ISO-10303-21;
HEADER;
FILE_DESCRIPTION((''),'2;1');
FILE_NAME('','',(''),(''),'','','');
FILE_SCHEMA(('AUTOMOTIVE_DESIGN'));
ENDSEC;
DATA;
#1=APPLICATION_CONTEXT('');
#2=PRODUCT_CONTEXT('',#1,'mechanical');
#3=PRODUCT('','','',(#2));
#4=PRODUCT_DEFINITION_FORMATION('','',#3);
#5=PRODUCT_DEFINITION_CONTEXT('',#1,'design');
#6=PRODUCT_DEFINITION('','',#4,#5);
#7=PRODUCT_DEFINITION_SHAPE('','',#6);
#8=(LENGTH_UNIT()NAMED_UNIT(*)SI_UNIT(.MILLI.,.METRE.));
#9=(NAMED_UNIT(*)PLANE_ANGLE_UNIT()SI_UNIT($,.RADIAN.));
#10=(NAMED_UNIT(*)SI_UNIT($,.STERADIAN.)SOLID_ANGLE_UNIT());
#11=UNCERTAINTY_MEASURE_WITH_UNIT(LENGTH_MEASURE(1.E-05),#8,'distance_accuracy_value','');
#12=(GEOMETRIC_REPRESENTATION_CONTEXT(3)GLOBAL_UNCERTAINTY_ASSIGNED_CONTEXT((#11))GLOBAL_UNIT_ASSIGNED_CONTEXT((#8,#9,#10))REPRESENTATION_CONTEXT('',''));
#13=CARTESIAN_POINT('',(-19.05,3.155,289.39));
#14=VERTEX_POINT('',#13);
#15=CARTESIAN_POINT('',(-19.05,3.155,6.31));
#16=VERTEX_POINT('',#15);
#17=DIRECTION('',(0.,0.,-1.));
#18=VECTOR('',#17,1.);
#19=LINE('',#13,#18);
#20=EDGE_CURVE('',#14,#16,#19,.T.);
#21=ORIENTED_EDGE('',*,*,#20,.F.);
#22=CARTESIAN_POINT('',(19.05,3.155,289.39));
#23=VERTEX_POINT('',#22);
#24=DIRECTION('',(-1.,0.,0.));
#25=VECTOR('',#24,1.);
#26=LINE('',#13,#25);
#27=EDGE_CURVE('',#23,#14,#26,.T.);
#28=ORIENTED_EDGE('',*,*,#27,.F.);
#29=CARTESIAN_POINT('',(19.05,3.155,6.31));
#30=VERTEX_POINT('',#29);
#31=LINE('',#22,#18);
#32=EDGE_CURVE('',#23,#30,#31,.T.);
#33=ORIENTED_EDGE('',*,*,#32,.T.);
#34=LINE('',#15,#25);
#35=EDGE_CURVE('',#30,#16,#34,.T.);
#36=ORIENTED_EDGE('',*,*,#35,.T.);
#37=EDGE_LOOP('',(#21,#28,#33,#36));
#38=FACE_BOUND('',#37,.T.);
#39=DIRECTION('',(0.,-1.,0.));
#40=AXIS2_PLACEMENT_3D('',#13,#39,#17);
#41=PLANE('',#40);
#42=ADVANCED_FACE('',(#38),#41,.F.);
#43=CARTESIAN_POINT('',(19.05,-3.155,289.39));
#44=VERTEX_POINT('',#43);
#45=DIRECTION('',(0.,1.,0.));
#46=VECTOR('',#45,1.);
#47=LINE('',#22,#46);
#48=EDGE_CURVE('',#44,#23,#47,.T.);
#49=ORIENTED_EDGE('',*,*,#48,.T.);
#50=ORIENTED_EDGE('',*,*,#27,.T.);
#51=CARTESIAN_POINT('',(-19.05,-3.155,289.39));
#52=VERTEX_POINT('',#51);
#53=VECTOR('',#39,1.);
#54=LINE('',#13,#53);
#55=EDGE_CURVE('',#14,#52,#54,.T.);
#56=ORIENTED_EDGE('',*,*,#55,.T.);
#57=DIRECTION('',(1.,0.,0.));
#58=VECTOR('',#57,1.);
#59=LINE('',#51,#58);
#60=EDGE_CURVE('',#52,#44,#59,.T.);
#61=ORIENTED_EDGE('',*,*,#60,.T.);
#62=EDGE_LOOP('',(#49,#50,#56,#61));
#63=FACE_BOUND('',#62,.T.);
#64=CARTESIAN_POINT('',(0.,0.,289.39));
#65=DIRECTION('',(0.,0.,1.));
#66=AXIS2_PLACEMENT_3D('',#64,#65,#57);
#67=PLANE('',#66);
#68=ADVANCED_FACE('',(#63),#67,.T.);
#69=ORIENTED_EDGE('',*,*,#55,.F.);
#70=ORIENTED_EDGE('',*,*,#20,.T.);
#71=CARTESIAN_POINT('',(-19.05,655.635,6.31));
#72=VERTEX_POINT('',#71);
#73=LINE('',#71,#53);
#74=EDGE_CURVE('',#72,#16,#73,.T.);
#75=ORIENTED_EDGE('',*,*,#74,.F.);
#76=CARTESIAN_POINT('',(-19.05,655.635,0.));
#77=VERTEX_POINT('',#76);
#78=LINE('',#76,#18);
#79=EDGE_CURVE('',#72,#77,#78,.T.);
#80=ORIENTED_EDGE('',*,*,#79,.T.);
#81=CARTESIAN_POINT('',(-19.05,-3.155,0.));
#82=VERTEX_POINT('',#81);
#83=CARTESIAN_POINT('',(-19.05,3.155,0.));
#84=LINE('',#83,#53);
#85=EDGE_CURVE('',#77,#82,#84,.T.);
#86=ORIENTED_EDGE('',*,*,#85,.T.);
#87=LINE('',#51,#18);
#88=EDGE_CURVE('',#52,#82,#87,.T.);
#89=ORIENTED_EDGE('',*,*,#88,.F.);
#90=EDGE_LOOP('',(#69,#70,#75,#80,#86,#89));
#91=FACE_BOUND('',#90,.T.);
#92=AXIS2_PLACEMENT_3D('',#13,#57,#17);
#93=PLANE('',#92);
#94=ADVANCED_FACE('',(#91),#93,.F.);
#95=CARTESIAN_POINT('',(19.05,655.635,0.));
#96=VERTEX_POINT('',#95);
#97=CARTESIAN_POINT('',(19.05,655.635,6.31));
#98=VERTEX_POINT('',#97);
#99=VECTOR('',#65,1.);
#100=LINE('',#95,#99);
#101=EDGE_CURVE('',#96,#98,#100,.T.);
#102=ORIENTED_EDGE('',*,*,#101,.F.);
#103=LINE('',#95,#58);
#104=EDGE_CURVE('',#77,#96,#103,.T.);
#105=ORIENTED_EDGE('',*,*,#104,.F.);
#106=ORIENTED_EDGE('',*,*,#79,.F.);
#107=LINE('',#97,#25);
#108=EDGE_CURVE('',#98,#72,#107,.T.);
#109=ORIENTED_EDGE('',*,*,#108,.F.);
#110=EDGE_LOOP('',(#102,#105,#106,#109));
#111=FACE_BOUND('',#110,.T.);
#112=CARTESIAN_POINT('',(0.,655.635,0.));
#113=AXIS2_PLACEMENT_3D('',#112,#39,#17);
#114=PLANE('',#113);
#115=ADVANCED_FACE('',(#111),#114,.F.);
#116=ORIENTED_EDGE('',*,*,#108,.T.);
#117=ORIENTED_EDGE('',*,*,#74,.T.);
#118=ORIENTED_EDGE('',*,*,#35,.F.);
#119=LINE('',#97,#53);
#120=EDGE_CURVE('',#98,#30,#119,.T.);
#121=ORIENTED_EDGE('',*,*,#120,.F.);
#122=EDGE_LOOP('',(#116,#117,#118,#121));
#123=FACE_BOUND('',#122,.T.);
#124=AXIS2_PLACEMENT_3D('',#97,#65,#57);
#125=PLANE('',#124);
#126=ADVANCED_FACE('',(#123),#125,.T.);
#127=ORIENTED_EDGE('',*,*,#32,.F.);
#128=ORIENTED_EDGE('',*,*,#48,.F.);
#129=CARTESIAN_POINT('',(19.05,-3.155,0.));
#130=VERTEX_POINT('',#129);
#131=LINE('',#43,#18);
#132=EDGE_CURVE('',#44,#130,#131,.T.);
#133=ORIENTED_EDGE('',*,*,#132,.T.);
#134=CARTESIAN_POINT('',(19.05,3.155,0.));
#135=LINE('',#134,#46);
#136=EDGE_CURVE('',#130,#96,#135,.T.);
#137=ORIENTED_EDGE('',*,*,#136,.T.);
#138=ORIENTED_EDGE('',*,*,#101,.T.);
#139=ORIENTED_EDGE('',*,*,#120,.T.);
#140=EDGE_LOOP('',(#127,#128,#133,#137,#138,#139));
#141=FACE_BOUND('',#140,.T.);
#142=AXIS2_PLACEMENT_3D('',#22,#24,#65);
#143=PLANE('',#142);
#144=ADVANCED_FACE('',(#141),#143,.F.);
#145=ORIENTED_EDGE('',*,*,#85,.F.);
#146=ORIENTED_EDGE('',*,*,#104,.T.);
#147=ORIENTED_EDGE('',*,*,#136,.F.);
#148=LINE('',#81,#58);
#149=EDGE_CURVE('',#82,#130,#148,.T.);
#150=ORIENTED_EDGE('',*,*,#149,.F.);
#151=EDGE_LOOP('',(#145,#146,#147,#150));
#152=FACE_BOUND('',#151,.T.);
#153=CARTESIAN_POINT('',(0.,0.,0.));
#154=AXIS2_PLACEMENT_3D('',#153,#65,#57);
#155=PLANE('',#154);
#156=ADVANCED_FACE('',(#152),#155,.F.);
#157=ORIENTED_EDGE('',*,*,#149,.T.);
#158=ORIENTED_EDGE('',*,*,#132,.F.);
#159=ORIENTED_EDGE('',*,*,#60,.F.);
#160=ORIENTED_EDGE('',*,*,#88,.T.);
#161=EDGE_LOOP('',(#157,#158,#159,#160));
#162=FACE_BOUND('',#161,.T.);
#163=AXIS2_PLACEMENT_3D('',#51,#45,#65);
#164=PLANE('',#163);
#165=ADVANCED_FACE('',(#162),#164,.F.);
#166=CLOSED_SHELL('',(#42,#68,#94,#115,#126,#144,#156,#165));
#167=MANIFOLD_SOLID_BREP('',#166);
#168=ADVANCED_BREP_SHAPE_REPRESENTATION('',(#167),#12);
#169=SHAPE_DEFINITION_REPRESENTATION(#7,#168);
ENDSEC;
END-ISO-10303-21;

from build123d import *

# Parameters (mm, degrees)
CROQUIS1_W              = 38.1
CROQUIS1_H              = 6.31
SALIENTE_EXTRUIR1_DEPTH = 289.39
CROQUIS3_W              = 38.1
CROQUIS3_H              = 6.31
SALIENTE_EXTRUIR2_DEPTH = 658.79


with BuildPart() as part:
    # Croquis1 → Saliente-Extruir1 (new body)
    with BuildSketch(Plane.XY):
        Rectangle(CROQUIS1_W, CROQUIS1_H)
    extrude(amount=SALIENTE_EXTRUIR1_DEPTH)

    # Croquis3 → Saliente-Extruir2 (add)
    with BuildSketch(Plane.XZ.offset(3.155)):
        with Locations((0, 3.155)):
            Rectangle(CROQUIS3_W, CROQUIS3_H)
    extrude(amount=-SALIENTE_EXTRUIR2_DEPTH)


solid = part.part
